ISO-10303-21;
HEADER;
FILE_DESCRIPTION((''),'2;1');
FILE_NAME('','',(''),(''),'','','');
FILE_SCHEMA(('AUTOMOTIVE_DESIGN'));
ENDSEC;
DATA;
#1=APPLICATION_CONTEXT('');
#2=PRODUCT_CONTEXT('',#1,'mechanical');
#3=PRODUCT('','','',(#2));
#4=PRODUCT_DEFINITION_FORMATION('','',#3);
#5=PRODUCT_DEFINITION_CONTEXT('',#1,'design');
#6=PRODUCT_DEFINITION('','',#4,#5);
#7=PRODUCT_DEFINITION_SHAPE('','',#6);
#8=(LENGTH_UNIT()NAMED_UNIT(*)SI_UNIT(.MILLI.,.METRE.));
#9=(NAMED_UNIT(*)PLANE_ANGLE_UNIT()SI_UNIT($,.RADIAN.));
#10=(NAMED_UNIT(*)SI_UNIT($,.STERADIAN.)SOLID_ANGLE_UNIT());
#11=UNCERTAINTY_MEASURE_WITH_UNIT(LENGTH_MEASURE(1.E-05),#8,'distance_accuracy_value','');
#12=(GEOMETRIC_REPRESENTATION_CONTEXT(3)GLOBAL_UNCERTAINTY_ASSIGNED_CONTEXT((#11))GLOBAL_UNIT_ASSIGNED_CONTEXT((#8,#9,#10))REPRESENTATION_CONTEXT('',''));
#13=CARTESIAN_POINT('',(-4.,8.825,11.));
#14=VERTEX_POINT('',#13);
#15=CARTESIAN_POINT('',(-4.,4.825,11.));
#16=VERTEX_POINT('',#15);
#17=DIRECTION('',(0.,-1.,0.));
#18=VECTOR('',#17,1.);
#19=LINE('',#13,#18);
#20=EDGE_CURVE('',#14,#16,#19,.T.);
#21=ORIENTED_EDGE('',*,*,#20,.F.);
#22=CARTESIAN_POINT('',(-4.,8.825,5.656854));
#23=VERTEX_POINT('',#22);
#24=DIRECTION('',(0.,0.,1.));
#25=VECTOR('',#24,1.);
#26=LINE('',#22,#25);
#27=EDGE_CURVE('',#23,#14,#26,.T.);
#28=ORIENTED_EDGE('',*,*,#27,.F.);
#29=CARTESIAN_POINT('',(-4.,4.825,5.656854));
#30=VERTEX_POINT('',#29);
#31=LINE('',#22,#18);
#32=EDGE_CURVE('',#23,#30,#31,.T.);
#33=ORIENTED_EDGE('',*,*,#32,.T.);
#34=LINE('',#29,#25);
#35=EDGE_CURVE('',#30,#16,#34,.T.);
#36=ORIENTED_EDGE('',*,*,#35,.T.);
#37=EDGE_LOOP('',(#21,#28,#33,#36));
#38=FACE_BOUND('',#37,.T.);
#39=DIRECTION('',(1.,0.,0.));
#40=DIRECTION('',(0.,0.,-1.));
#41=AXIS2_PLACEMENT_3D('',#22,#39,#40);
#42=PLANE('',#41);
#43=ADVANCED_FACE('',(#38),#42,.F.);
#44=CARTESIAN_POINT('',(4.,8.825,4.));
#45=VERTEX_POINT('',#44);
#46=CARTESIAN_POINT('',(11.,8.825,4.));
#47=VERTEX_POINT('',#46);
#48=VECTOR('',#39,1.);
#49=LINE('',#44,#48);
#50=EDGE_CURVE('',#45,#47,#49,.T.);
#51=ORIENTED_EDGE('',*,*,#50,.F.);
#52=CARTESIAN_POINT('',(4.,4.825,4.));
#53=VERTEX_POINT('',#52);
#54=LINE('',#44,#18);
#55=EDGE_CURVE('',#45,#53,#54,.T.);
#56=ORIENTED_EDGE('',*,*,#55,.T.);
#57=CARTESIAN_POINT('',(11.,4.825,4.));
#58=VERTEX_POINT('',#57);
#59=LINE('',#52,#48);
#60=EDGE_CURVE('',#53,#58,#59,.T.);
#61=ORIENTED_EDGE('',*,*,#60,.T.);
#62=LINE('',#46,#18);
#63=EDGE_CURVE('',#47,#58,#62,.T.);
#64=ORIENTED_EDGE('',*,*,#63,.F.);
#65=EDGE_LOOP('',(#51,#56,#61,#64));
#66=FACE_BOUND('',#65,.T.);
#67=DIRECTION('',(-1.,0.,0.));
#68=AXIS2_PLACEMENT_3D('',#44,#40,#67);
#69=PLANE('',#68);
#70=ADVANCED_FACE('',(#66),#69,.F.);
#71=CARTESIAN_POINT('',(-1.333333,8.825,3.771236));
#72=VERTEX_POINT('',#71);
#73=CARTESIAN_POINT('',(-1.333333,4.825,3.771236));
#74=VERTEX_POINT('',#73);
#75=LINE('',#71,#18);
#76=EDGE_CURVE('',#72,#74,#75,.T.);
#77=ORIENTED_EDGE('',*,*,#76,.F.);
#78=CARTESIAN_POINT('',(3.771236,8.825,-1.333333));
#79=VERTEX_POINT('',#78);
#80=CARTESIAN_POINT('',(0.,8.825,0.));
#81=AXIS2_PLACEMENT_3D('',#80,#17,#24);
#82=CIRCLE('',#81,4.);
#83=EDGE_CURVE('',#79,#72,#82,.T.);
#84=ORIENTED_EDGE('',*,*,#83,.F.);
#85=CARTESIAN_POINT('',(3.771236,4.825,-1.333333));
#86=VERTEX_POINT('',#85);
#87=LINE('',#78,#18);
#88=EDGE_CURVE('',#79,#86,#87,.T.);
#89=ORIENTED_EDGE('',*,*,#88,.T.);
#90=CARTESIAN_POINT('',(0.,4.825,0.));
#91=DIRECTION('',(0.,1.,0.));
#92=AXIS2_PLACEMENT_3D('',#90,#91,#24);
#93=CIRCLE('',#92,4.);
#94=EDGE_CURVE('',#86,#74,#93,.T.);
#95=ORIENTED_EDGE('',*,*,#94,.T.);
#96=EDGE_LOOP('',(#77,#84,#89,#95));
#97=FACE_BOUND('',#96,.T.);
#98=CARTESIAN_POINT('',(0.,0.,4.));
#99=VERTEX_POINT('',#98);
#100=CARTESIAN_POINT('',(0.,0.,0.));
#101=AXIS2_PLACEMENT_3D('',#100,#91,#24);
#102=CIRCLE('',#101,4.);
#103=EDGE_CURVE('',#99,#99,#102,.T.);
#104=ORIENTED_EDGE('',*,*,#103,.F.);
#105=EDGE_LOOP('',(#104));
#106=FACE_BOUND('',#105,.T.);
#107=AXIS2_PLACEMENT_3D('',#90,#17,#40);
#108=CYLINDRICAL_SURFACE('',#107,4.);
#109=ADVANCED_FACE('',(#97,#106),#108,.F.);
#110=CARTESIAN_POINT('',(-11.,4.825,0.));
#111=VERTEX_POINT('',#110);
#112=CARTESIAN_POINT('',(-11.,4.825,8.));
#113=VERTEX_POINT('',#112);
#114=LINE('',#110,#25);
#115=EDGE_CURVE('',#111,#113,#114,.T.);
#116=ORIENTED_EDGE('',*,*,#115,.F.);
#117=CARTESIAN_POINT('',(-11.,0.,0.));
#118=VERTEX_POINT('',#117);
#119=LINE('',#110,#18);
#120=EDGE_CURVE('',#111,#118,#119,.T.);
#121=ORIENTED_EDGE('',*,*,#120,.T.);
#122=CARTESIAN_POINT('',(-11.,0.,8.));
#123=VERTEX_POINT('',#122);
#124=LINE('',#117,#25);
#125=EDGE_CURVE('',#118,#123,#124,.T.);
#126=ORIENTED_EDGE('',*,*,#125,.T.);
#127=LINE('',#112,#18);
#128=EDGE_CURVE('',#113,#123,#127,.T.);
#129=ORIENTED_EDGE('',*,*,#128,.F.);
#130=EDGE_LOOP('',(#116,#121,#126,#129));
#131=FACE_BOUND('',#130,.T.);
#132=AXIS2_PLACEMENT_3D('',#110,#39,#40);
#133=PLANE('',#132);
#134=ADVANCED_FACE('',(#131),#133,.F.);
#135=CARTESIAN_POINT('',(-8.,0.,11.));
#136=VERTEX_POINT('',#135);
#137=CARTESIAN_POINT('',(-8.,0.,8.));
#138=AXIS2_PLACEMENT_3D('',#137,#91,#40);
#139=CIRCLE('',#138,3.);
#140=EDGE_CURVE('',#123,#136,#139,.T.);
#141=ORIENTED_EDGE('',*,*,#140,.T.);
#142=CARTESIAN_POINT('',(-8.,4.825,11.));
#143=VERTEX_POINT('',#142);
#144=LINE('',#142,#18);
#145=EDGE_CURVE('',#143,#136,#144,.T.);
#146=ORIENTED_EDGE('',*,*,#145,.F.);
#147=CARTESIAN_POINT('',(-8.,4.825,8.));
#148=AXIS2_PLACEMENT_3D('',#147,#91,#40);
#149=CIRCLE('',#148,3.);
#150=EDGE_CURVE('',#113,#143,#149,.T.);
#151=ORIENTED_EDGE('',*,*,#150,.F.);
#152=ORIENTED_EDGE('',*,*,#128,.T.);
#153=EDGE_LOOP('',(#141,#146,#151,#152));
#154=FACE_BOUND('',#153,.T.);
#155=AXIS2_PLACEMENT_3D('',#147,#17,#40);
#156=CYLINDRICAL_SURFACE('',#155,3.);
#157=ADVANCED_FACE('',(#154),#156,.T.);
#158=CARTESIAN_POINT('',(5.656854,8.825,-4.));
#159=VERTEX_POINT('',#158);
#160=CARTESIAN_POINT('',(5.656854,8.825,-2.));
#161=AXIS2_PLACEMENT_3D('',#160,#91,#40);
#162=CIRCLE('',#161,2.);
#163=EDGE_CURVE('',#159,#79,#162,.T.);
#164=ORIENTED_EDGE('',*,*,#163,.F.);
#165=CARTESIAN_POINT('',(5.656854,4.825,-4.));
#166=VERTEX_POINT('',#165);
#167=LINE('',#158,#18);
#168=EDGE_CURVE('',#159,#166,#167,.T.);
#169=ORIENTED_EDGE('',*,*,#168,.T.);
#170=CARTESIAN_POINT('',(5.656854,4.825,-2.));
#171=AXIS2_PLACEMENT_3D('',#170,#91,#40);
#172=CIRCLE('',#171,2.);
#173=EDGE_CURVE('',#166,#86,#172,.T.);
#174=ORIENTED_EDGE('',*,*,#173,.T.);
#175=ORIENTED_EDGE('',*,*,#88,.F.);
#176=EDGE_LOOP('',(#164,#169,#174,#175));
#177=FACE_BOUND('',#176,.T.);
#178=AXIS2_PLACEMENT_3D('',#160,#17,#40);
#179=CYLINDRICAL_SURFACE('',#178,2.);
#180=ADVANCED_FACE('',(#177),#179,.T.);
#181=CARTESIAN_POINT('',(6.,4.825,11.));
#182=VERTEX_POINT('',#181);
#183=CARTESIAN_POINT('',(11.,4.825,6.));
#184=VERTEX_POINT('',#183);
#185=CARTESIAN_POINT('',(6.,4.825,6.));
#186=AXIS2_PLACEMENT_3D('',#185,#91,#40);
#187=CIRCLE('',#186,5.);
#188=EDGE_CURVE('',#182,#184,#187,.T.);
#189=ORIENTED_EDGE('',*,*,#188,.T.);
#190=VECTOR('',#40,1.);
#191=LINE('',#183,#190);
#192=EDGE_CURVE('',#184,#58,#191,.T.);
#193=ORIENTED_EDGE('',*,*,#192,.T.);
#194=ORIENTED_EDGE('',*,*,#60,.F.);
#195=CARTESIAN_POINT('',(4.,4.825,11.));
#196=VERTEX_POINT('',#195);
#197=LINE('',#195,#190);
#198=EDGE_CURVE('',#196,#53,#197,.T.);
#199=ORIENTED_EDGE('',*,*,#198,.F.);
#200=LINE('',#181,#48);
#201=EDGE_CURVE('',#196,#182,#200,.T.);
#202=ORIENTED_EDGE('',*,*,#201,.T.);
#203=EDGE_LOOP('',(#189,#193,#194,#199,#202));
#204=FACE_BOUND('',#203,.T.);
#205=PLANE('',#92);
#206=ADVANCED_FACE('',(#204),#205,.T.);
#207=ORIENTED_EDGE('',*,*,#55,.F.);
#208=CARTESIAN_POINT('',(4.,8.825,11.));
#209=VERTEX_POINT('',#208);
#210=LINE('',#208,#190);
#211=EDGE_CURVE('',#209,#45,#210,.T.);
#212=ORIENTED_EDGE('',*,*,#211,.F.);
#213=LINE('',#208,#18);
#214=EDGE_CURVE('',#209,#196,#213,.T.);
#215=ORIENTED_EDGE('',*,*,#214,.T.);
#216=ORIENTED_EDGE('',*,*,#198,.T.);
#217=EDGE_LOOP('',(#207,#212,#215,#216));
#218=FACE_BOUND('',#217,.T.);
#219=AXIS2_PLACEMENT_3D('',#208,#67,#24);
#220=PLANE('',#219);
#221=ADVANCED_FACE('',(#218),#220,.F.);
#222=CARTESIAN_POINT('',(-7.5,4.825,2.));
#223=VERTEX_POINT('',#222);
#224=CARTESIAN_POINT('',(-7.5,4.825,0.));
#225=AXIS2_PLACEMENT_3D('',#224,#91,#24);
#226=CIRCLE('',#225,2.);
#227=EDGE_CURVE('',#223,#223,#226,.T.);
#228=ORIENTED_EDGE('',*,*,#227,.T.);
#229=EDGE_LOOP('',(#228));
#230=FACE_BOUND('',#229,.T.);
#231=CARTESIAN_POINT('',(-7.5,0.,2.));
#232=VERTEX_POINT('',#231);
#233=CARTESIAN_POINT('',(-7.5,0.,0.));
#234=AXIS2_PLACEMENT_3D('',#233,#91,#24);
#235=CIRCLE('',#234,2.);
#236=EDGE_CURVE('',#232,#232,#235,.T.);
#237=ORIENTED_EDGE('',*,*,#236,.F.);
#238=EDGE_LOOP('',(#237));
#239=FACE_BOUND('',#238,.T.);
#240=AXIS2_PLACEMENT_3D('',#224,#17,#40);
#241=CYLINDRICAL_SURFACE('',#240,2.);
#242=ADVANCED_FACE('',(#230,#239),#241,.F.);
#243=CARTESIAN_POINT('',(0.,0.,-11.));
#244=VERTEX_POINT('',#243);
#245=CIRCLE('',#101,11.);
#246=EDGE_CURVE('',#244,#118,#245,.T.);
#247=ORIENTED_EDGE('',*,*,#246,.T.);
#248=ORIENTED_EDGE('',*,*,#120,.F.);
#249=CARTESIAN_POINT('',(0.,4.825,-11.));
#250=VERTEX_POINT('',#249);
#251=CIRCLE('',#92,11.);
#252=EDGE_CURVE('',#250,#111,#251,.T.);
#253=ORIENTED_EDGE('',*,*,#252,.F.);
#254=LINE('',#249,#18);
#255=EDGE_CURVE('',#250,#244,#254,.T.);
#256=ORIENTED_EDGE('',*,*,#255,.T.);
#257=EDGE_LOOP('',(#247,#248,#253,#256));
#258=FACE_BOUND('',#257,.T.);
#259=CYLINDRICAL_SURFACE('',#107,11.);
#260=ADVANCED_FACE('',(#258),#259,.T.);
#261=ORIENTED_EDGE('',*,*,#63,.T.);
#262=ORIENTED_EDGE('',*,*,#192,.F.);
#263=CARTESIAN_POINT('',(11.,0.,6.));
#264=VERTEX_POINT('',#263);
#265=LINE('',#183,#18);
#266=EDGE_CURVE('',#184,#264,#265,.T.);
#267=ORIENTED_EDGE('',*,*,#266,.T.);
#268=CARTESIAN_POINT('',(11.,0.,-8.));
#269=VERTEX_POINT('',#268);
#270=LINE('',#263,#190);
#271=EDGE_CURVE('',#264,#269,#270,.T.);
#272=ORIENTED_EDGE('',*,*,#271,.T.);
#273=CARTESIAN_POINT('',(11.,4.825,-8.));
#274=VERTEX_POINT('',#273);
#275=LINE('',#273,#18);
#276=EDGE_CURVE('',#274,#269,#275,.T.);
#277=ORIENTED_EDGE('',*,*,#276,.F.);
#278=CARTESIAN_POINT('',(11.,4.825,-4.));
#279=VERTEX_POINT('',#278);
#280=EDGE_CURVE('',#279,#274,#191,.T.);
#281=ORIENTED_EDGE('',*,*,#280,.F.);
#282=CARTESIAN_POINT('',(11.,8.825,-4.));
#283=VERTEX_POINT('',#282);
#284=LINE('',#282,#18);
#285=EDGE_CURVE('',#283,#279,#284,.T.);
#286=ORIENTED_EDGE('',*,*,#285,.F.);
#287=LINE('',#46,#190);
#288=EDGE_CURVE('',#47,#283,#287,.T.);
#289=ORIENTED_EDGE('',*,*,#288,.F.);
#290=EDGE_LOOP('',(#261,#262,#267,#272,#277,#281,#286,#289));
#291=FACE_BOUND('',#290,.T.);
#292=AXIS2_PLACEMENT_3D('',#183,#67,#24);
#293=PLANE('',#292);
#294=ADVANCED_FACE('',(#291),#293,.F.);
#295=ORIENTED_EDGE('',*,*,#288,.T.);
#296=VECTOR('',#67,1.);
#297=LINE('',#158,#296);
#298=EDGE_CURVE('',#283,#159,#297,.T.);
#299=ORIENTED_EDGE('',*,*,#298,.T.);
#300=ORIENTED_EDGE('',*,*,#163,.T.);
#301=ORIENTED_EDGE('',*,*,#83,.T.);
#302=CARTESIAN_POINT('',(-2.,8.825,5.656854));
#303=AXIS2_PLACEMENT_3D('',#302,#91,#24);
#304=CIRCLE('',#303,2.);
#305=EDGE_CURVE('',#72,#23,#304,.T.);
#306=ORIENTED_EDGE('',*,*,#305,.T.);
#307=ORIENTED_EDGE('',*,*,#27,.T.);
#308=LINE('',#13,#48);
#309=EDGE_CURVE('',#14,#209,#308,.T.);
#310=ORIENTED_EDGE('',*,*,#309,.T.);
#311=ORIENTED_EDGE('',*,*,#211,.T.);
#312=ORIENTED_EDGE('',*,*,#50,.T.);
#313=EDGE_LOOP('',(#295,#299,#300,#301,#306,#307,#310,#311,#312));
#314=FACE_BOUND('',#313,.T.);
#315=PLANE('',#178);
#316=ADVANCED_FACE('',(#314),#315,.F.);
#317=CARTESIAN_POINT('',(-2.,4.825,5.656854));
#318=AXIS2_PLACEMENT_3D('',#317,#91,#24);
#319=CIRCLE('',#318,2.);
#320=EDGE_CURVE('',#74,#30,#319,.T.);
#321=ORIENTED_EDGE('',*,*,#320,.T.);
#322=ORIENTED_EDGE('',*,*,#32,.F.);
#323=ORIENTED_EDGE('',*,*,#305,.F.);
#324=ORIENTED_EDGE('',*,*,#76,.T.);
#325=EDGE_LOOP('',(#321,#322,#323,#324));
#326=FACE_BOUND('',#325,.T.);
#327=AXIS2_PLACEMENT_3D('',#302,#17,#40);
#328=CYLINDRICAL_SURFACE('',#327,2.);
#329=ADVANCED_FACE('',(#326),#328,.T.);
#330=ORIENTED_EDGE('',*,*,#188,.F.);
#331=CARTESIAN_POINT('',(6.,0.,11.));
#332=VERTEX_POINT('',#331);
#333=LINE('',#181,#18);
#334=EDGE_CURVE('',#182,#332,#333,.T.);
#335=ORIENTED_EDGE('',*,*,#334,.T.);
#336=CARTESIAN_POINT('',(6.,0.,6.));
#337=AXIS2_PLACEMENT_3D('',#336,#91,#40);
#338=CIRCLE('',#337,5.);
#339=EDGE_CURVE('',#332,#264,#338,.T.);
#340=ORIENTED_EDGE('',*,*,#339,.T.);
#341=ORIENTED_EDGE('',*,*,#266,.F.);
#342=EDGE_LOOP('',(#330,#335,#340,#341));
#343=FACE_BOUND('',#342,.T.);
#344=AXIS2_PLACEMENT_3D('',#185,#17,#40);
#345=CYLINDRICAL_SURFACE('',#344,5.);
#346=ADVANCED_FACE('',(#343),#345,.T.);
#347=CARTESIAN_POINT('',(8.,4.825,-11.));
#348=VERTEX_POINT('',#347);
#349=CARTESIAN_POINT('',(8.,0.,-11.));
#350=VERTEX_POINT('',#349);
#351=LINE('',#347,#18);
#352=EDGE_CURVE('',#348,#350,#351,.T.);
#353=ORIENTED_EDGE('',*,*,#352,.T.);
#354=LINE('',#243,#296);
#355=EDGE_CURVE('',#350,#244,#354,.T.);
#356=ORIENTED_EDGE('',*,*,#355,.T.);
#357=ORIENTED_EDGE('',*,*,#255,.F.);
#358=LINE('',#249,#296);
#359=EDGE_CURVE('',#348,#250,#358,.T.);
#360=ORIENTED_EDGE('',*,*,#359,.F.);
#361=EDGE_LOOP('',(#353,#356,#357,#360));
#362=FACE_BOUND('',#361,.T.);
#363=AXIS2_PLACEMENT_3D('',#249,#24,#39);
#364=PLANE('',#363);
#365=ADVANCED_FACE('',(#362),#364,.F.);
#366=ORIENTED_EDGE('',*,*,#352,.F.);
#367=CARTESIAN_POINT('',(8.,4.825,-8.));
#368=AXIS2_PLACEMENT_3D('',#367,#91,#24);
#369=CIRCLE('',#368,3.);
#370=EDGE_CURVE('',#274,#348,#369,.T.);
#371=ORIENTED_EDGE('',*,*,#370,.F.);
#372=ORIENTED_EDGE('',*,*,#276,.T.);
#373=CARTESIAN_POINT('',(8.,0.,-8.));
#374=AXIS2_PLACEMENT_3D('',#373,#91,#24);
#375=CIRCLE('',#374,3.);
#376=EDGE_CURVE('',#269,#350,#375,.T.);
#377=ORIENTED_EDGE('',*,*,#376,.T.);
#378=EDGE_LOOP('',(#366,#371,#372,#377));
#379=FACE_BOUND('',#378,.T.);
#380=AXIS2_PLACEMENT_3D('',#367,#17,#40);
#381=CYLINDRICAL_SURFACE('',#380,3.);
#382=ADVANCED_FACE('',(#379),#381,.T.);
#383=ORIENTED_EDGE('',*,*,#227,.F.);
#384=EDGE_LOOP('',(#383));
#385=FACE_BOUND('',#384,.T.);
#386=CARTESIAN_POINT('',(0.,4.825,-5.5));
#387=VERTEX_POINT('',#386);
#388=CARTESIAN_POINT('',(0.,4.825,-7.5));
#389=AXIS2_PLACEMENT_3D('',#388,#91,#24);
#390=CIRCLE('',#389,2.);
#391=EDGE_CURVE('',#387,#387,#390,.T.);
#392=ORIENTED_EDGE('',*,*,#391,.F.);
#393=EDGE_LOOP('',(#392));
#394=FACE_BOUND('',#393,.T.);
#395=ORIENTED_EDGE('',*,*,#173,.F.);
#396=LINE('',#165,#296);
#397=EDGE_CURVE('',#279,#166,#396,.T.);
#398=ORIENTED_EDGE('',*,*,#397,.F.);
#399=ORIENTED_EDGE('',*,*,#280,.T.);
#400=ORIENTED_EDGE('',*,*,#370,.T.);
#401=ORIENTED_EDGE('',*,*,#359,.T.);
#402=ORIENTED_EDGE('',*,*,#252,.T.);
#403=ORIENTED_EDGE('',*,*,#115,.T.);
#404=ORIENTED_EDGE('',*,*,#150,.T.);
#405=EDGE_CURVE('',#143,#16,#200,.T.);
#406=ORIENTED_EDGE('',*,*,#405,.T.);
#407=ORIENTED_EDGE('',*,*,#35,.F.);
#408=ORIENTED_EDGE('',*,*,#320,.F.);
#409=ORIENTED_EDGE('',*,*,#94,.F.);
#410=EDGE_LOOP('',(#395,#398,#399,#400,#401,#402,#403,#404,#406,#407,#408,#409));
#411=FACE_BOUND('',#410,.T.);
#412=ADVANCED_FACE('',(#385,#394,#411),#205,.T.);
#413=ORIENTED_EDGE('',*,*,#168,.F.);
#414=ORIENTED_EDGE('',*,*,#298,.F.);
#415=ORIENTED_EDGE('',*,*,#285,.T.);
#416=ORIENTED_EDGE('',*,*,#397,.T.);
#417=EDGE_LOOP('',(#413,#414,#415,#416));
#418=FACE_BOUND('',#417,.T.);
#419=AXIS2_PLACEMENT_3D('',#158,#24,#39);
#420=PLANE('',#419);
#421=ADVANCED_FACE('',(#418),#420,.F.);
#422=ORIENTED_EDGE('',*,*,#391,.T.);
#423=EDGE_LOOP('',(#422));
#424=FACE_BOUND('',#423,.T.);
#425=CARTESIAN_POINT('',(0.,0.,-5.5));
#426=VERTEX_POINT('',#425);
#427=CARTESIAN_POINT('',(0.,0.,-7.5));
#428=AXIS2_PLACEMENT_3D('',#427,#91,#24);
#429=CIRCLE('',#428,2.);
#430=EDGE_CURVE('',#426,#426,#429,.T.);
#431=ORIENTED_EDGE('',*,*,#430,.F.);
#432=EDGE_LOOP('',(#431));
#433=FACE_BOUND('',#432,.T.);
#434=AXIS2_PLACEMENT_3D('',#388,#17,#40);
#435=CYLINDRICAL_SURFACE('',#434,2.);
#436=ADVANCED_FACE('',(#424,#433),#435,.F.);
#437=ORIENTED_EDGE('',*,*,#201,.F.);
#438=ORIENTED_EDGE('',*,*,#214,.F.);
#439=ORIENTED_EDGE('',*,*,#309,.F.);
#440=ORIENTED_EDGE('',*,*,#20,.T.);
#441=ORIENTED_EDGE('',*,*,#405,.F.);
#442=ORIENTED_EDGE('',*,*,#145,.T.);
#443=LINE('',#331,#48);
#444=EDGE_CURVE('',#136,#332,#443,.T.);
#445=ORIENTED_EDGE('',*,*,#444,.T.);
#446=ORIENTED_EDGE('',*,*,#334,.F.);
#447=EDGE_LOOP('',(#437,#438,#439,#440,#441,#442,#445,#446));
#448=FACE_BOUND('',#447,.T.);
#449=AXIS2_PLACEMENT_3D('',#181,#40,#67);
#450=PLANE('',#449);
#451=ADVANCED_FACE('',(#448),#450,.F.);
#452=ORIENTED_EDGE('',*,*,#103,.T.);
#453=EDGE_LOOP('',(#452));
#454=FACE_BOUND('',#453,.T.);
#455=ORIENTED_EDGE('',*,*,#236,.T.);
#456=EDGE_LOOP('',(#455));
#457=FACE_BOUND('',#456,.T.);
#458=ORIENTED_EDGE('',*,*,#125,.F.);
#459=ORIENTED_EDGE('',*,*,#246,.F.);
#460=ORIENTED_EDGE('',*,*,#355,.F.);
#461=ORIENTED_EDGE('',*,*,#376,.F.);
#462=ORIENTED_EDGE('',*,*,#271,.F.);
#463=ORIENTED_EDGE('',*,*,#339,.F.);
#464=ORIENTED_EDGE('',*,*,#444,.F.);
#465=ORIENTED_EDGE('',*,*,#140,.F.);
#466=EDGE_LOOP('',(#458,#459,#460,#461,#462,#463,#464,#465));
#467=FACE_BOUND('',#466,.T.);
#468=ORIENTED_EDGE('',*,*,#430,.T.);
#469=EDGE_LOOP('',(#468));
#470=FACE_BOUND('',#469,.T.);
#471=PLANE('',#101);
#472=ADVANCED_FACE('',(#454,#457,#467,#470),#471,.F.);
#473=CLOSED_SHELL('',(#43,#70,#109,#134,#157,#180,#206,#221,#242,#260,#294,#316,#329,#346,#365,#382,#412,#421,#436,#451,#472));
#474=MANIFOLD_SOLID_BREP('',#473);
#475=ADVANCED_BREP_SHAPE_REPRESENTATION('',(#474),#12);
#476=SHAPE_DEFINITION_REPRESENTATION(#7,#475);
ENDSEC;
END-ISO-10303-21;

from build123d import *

# Parameters (mm, degrees)
SKETCH1_R           = 4
SKETCH1_R_2         = 2
BOSS_EXTRUDE1_DEPTH = 4.825
BOSS_EXTRUDE2_DEPTH = 4


with BuildPart() as part:
    # Sketch1 → Boss-Extrude1 (new body)
    with BuildSketch(Plane(origin=(0, 0, 0), x_dir=(1, 0, 0), z_dir=(0, 1, 0))):
        with BuildLine():
            Line((-11, 0), (-11, -8))
            ThreePointArc((-11, -8), (-10.121320344, -10.121320344), (-8, -11))
            Line((-8, -11), (6, -11))
            ThreePointArc((6, -11), (9.535533906, -9.535533906), (11, -6))
            Line((11, -6), (11, 8))
            ThreePointArc((11, 8), (10.121320344, 10.121320344), (8, 11))
            Line((8, 11), (0, 11))
            ThreePointArc((0, 11), (-7.778174593, 7.778174593), (-11, 0))
        make_face()
        with Locations(Location((0, 0, 0), (0, 0, 270))):  # turned: the seam where the file's is
            Circle(SKETCH1_R, mode=Mode.SUBTRACT)
        with Locations(Location((-7.5, 0, 0), (0, 0, 270))):  # turned: the seam where the file's is
            Circle(SKETCH1_R_2, mode=Mode.SUBTRACT)
        with Locations(Location((0, 7.5, 0), (0, 0, 270))):  # turned: the seam where the file's is
            Circle(SKETCH1_R_2, mode=Mode.SUBTRACT)
    extrude(amount=BOSS_EXTRUDE1_DEPTH)

    # Sketch2 → Boss-Extrude2 (add)
    with BuildSketch(Plane(origin=(0, 4.825, 0), x_dir=(1, 0, 0), z_dir=(0, 1, 0))):
        with BuildLine():
            Line((4, -11), (4, -4))
            Line((4, -4), (11, -4))
            Line((11, -4), (11, 4))
            Line((11, 4), (5.656854249, 4))
            ThreePointArc((5.656854249, 4), (4.023861088, 3.154700538), (3.771236166, 1.333333333))
            ThreePointArc((3.771236166, 1.333333333), (2.828427125, -2.828427125), (-1.333333333, -3.771236166))
            ThreePointArc((-1.333333333, -3.771236166), (-3.154700538, -4.023861088), (-4, -5.656854249))
            Line((-4, -5.656854249), (-4, -11))
            Line((-4, -11), (4, -11))
        make_face()
    extrude(amount=BOSS_EXTRUDE2_DEPTH)


solid = part.part
